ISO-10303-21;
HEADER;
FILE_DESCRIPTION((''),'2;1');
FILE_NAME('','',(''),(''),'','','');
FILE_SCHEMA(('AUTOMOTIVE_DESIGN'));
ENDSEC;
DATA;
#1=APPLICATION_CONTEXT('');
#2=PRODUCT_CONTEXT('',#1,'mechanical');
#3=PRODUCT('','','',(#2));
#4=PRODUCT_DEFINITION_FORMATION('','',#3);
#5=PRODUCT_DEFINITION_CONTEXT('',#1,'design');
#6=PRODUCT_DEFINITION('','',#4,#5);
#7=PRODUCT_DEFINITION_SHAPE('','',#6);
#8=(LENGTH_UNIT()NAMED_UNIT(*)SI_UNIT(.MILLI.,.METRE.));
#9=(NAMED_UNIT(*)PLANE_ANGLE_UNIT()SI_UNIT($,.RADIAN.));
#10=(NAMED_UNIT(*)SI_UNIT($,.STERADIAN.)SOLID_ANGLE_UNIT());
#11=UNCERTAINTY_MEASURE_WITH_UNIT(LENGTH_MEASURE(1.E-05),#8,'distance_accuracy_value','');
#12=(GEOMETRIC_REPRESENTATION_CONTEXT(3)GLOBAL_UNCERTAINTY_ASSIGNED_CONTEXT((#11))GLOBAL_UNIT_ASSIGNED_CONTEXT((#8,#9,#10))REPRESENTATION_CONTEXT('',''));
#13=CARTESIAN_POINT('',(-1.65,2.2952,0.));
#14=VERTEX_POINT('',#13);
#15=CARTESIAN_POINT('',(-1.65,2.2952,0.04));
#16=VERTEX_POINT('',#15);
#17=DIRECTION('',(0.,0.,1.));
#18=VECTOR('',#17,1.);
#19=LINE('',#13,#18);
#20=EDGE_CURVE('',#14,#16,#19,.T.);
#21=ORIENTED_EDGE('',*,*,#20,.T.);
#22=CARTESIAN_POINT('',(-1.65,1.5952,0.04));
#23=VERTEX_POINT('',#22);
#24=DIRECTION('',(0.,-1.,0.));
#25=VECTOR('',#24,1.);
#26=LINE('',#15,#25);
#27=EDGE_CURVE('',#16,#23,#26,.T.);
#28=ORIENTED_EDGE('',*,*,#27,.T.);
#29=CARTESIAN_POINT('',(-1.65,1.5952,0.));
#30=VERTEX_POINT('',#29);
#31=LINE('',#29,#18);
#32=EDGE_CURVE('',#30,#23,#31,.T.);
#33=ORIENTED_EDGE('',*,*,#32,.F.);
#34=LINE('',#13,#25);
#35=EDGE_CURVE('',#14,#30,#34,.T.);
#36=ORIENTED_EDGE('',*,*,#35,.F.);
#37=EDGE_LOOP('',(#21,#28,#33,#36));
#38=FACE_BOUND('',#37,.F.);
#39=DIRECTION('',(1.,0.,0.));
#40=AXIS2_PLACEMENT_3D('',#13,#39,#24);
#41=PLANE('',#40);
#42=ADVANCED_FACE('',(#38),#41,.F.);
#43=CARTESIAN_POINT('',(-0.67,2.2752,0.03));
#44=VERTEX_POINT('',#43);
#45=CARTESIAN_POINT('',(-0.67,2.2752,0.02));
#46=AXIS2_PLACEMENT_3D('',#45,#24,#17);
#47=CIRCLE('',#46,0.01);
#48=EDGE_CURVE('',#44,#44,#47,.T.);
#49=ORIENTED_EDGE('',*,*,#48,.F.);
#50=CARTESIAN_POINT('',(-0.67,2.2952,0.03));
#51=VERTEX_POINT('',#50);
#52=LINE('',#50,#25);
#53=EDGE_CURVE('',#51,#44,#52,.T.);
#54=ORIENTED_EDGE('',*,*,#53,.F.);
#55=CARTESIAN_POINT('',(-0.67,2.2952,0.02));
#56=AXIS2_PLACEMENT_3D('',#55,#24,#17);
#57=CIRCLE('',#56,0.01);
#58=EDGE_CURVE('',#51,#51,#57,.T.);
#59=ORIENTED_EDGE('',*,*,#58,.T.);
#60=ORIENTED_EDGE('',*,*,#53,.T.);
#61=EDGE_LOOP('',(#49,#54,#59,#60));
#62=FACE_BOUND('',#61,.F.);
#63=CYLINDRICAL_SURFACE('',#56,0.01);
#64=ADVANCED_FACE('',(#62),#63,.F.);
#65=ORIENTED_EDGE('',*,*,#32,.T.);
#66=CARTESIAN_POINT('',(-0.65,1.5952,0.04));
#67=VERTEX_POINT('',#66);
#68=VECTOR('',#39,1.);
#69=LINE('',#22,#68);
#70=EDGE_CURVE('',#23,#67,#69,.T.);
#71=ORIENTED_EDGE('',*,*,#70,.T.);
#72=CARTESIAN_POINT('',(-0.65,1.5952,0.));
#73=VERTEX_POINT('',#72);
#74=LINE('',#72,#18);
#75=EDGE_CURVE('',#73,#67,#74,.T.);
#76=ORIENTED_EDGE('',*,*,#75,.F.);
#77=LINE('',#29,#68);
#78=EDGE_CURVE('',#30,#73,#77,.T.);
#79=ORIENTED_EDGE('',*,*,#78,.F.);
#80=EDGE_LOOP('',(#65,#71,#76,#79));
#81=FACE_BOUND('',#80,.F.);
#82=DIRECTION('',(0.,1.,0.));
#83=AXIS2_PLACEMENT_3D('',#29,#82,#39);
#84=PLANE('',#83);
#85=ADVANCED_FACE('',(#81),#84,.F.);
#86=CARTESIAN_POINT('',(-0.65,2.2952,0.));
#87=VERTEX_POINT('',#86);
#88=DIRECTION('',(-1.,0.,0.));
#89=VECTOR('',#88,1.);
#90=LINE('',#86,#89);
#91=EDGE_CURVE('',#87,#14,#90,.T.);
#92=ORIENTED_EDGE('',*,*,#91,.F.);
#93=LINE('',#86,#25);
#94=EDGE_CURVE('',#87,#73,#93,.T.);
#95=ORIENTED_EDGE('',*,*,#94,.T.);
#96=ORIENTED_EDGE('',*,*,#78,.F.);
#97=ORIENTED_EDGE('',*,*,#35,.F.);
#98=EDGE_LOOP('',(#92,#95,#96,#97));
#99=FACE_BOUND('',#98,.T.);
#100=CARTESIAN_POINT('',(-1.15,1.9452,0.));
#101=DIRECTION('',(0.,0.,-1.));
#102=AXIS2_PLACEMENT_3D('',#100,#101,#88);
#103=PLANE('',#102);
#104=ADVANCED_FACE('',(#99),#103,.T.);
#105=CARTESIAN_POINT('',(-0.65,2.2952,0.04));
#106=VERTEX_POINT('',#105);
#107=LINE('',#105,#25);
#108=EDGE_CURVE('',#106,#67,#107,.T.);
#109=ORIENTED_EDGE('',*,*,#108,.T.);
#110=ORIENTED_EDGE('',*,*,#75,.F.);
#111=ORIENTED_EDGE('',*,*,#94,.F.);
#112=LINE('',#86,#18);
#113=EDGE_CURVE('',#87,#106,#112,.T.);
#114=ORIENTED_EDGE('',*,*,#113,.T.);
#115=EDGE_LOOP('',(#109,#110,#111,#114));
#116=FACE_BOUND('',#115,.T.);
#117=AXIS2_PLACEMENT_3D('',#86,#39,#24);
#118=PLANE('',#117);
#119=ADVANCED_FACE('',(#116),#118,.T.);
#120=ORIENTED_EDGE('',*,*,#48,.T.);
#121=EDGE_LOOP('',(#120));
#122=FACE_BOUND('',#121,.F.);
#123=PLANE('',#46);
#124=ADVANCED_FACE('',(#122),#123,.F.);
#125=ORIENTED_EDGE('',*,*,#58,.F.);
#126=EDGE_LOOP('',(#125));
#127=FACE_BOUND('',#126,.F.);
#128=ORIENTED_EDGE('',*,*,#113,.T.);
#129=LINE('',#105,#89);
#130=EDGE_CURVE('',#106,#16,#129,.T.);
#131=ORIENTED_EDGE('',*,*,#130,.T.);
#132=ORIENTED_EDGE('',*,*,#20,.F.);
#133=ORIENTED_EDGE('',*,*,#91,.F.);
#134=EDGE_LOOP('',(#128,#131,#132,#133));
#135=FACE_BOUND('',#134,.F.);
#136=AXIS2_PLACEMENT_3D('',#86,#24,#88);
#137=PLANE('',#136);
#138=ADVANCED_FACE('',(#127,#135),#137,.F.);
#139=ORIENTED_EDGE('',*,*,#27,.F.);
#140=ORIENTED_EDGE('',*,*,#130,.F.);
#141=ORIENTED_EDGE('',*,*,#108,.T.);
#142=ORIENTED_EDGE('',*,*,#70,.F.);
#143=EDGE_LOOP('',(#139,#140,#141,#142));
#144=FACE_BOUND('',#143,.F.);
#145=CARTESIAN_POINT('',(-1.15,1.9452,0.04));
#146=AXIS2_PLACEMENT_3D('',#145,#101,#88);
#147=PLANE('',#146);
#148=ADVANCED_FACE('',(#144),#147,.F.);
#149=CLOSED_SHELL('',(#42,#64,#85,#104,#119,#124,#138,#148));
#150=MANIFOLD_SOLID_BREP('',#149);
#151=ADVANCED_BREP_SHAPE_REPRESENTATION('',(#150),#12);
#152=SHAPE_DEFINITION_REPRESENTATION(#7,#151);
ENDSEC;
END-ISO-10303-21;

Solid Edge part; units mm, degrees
sketch "Sketch1" plane through (0, 0, 0) normal (0, 0, 1) x (1, 0, 0)
  line L0 (-0.65, 2.2952) -> (-0.65, 1.5952)
  line L1 (-1.65, 1.5952) -> (-0.65, 1.5952)
  line L2 (-1.65, 2.2952) -> (-1.65, 1.5952)
  line L3 (-0.65, 2.2952) -> (-1.65, 2.2952)
extrude "Protrusion1" add sketch "Sketch1" along normal blind 0.04
hole "Bohrung_17" at (-0.67, 2.2952, 0.02) direction (0, -1, 0) diameter 0.02 depth 0.02
